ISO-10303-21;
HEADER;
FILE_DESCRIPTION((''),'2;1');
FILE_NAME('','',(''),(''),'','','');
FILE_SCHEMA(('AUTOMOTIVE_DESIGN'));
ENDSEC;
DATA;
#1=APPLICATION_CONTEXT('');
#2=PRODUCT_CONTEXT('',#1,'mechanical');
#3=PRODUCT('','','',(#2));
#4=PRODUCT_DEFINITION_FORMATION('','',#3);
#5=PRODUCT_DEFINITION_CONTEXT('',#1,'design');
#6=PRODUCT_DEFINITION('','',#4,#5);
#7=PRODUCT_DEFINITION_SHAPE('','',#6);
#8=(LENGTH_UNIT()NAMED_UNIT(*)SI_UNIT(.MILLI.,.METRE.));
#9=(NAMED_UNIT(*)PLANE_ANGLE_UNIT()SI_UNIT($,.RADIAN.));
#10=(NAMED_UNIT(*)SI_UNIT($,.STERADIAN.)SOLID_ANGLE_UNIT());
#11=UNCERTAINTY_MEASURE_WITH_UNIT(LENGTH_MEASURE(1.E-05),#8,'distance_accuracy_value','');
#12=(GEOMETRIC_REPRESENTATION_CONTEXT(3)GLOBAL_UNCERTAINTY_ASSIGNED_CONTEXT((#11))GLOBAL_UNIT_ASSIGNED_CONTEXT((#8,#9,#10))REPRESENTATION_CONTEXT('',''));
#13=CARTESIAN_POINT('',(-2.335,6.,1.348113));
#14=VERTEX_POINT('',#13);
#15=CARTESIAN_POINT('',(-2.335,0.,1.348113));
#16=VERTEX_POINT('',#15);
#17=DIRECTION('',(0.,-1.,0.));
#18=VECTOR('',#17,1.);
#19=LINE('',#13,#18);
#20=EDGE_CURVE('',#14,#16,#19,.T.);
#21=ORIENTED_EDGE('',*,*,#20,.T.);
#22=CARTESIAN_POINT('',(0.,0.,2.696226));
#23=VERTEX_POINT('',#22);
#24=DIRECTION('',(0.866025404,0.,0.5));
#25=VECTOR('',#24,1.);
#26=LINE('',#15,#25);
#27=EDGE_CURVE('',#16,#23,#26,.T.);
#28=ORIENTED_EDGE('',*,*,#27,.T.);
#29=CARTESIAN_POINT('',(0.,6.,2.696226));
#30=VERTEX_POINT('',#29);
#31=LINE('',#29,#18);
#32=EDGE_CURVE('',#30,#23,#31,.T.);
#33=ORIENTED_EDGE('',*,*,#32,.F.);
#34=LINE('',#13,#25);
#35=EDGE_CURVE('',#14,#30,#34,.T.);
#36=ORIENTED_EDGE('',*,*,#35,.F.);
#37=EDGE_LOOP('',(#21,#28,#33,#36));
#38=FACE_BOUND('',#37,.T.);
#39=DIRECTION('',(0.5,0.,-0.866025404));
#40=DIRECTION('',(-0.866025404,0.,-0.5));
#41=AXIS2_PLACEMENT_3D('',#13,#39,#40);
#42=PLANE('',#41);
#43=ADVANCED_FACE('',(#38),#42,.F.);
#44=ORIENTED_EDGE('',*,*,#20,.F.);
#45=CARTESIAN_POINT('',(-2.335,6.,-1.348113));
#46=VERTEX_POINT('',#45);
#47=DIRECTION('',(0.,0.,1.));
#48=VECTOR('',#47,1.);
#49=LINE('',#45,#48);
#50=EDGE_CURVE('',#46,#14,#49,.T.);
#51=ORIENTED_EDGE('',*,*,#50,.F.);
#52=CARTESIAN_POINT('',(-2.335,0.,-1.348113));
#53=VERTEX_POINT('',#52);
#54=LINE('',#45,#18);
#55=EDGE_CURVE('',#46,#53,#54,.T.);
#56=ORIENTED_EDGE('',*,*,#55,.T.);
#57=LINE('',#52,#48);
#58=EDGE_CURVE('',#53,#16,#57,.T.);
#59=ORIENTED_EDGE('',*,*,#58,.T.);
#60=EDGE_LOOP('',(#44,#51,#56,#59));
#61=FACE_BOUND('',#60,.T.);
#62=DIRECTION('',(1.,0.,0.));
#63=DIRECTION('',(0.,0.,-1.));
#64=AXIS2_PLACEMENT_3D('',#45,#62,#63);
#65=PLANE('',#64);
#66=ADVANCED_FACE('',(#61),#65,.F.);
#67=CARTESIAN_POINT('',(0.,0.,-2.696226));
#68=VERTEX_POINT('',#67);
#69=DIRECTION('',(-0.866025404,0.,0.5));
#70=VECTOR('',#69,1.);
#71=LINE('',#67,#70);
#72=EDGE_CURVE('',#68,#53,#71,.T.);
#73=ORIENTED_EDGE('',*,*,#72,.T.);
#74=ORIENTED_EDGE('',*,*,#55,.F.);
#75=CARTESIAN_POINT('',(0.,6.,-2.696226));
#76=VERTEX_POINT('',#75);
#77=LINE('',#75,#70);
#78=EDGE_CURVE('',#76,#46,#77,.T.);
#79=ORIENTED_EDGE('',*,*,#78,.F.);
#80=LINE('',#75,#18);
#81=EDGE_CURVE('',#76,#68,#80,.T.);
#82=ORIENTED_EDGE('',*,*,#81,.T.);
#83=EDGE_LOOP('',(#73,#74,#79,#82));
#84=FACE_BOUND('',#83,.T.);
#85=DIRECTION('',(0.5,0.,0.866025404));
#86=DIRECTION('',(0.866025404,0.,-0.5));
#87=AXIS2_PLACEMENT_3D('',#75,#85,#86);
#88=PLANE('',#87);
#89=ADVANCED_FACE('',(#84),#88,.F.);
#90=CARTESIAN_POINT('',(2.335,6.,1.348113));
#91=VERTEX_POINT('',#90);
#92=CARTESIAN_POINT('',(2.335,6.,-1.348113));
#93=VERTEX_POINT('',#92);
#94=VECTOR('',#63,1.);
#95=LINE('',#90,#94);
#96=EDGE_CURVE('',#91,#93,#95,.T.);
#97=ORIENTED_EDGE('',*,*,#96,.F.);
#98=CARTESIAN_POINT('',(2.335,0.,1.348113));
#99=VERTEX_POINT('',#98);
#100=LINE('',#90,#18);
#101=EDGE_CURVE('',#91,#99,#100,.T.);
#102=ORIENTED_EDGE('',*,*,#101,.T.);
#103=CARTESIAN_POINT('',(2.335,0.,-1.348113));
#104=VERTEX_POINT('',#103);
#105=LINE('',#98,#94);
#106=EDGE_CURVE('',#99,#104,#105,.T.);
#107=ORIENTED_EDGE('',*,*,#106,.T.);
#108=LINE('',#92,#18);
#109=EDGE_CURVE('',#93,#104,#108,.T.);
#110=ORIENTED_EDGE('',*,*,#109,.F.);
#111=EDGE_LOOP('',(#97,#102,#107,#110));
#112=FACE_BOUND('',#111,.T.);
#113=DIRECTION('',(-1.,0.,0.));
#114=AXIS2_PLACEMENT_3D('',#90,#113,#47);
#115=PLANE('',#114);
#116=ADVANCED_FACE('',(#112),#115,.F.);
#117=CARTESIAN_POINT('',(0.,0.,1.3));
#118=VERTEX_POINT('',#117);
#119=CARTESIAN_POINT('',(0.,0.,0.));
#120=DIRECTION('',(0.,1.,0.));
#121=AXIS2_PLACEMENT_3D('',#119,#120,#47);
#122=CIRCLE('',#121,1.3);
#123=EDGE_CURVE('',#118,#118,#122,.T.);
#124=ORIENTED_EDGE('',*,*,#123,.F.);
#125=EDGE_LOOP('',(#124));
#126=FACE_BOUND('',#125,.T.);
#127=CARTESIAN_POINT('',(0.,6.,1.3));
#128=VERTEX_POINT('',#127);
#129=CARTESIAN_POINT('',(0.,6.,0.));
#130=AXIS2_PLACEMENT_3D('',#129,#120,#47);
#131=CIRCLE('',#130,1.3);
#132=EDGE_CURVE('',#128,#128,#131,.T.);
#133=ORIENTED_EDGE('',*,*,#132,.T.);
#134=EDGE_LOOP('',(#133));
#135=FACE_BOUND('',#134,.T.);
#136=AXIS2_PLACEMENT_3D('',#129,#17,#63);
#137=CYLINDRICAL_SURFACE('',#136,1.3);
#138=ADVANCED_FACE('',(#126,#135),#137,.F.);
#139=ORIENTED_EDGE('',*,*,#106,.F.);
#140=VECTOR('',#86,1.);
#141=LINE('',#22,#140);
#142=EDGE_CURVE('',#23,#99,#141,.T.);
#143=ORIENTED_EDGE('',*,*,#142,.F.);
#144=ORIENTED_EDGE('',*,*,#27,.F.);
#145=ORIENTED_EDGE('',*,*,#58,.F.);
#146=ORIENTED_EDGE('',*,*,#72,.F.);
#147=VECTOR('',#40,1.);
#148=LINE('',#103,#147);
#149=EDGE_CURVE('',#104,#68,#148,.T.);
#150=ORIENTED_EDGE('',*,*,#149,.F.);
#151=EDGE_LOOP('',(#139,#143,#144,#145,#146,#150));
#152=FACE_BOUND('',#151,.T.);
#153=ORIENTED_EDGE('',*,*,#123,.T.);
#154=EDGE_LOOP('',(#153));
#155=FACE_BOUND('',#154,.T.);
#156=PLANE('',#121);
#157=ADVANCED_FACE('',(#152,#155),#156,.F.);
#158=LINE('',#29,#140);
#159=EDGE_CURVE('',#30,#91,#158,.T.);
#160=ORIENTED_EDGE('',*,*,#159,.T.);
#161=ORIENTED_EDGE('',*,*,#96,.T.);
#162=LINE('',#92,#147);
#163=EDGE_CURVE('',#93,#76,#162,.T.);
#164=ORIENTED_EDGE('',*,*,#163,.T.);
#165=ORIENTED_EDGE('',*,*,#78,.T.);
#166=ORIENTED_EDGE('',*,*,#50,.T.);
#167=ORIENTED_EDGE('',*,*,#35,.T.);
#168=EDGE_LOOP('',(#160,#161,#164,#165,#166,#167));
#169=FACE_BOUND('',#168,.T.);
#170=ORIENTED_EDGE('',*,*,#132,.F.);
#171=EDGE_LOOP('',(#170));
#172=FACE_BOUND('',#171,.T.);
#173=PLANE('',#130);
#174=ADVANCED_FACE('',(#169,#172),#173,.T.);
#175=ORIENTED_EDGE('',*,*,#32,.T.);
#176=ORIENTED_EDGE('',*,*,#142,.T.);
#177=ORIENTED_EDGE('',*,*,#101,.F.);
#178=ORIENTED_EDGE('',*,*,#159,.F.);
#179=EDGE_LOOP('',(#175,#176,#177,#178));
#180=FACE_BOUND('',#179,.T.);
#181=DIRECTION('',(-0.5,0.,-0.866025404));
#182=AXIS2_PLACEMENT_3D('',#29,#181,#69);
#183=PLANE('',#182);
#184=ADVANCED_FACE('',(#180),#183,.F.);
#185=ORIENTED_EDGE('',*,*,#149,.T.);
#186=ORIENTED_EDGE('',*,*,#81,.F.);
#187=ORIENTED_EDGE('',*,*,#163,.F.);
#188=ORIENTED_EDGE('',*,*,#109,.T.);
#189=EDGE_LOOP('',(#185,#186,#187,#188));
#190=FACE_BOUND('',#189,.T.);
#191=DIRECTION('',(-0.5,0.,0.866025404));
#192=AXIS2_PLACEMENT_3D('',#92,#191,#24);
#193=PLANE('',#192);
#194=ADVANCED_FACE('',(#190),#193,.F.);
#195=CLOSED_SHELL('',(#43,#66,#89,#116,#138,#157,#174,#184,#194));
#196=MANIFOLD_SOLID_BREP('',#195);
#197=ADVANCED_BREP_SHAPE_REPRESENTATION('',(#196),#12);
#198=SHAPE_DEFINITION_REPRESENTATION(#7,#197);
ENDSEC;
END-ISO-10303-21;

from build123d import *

# Parameters (mm, degrees)
SKETCH1_R           = 1.3
BOSS_EXTRUDE1_DEPTH = 6


with BuildPart() as part:
    # Sketch1 → Boss-Extrude1 (new body)
    with BuildSketch(Plane(origin=(0, 0, 0), x_dir=(1, 0, 0), z_dir=(0, 1, 0))):
        Polygon((0, -2.696225757), (2.335, -1.348112879), (2.335, 1.348112879), (0, 2.696225757), (-2.335, 1.348112879), (-2.335, -1.348112879), align=None)
        with Locations(Location((0, 0, 0), (0, 0, 270))):
            Circle(SKETCH1_R, mode=Mode.SUBTRACT)
    extrude(amount=BOSS_EXTRUDE1_DEPTH)


solid = part.part
